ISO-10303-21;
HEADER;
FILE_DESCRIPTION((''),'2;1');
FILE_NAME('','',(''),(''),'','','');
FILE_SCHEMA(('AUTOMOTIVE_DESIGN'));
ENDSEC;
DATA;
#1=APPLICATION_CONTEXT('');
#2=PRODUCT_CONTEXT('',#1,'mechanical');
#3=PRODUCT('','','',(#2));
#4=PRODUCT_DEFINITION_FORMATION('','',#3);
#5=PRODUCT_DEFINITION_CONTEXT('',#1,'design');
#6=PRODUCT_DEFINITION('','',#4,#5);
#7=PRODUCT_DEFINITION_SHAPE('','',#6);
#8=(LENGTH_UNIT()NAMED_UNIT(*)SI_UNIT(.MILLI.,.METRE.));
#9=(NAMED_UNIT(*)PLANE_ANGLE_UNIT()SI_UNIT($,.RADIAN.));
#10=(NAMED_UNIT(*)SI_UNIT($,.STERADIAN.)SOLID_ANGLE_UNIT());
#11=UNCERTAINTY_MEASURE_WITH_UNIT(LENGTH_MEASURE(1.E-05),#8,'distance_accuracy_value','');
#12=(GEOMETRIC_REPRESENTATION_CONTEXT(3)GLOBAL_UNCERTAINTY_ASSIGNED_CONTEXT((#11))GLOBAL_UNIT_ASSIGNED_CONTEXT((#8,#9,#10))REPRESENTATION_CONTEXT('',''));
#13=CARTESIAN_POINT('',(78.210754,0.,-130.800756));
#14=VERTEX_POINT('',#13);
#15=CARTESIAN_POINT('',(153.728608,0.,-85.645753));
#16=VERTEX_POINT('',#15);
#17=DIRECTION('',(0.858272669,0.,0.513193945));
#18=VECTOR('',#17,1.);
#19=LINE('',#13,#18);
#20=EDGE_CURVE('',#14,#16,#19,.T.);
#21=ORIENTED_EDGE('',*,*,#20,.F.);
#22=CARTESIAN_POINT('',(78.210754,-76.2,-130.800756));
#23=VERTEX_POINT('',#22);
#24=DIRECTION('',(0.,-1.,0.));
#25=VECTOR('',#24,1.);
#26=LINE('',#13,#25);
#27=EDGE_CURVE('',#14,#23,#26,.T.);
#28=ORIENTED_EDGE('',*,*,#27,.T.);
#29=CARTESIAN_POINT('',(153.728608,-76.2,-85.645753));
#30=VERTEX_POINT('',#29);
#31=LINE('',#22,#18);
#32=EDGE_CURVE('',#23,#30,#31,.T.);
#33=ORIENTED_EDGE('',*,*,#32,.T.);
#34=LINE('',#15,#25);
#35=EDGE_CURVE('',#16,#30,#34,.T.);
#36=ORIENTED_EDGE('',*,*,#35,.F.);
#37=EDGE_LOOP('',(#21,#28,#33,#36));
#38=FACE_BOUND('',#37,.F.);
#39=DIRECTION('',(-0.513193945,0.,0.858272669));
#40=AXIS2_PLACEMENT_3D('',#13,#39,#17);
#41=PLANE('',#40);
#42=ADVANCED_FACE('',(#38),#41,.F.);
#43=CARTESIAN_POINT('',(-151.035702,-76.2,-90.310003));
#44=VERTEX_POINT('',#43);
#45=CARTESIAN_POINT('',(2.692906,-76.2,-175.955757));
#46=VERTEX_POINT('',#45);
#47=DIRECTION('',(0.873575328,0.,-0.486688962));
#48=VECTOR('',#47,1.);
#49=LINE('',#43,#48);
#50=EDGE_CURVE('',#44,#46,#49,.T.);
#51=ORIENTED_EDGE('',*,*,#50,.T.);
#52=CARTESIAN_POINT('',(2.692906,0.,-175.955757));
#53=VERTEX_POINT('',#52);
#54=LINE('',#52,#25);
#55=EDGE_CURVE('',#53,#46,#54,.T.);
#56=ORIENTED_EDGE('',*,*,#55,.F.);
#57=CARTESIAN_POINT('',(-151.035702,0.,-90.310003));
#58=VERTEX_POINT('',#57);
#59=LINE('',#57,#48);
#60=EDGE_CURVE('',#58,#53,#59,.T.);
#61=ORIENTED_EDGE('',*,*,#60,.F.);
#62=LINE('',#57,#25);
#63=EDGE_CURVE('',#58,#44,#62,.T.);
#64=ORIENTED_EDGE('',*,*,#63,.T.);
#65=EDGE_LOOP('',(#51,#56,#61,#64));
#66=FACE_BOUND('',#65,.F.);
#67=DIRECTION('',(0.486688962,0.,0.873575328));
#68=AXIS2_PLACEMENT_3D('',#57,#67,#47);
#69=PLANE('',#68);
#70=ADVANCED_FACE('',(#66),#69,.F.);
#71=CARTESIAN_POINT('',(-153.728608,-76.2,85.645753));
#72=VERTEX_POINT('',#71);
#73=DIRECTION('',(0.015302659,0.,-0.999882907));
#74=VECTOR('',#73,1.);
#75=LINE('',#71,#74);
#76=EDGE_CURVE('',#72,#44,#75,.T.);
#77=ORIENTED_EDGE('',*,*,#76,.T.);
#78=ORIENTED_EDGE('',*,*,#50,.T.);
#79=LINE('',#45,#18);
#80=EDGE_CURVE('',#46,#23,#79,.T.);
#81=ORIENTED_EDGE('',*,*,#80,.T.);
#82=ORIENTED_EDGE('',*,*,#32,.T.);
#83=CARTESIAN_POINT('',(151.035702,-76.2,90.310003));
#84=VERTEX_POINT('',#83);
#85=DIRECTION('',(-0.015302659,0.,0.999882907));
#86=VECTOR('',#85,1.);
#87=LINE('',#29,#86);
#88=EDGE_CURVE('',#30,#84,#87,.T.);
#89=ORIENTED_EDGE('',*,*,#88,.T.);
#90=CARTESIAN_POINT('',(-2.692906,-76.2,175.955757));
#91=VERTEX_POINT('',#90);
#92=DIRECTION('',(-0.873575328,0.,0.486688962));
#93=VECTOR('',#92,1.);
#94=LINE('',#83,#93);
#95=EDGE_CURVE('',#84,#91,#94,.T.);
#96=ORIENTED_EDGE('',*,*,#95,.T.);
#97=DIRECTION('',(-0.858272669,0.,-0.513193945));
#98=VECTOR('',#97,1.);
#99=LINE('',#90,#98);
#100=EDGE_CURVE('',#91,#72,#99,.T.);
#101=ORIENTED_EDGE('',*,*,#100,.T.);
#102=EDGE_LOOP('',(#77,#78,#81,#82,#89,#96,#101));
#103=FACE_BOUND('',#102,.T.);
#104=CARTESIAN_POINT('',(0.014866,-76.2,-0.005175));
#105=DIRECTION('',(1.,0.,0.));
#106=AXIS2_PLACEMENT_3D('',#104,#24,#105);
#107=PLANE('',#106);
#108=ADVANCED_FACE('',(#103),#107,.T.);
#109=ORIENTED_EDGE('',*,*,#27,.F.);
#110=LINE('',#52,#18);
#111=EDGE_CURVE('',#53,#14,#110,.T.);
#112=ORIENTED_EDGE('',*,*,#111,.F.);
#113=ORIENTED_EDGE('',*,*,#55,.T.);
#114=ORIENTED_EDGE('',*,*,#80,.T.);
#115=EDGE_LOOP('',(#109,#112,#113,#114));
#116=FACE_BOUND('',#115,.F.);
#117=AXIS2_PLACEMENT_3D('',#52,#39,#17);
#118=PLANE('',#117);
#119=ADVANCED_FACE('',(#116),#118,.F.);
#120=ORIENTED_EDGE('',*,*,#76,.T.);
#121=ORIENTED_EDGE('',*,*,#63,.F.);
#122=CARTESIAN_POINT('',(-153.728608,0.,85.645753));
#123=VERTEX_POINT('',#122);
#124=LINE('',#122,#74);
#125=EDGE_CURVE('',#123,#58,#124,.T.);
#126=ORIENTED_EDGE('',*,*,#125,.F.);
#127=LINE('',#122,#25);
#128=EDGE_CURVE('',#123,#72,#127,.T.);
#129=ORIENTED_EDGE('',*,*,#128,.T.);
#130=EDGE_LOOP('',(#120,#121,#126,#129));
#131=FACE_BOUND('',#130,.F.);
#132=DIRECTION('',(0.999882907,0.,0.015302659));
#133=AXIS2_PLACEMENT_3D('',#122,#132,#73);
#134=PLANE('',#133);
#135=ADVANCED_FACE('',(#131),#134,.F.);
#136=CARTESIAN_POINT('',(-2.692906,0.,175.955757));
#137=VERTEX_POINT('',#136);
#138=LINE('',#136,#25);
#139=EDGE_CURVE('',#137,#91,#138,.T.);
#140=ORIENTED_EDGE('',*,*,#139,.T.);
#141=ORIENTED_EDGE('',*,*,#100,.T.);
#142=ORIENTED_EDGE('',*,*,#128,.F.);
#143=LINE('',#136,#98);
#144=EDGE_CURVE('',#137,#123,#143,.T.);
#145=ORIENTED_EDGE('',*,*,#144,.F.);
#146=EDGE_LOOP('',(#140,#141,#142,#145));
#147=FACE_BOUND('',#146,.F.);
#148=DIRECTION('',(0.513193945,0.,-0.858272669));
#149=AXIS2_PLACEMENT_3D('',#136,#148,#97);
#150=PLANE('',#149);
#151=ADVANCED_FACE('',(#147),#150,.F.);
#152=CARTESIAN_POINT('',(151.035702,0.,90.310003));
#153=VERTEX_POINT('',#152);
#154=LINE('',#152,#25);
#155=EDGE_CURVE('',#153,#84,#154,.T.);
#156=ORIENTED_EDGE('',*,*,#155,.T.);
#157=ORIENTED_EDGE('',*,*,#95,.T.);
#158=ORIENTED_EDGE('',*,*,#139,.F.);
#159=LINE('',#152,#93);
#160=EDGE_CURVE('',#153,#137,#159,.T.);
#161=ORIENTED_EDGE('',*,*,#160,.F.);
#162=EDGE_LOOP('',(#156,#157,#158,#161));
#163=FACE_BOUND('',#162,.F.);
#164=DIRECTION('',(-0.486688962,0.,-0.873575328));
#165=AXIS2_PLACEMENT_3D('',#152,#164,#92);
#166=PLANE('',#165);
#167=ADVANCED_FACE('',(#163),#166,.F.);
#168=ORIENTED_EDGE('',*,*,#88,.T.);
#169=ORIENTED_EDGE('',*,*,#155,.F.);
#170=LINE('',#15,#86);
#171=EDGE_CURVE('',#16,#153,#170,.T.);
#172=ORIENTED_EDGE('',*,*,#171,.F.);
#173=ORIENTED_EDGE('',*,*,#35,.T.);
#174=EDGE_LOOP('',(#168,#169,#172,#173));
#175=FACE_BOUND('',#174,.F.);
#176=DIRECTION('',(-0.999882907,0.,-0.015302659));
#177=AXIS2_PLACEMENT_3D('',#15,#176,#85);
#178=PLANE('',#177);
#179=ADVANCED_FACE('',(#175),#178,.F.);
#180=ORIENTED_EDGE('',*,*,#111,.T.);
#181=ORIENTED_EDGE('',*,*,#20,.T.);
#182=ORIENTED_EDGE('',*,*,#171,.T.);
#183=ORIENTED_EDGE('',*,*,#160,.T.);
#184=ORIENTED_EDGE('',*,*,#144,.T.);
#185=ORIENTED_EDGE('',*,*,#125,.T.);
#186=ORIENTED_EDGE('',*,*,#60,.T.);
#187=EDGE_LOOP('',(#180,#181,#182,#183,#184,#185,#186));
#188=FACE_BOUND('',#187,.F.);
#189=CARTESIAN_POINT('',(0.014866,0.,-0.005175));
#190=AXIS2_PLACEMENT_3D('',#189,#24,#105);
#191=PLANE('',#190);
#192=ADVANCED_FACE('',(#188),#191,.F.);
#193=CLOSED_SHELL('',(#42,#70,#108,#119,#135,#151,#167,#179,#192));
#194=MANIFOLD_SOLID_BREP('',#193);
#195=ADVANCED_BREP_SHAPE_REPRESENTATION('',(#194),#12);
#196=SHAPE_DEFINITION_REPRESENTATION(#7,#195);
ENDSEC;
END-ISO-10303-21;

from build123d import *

# Parameters (mm, degrees)
F1_DEPTH = 76.2


with BuildPart() as f1:
    # F0 (on Front) → F1 (new body)
    with BuildSketch(Plane.XZ):
        with BuildLine():
            ThreePointArc((78.2107543947, -130.8007564848), (132.5614555023, -75.1879013879), (152.4, 0))
            ThreePointArc((152.4, 0), (152.395538702, 1.1660976456), (152.3821550693, 2.3321270194))
            ThreePointArc((152.3821550693, 2.3321270194), (130.8007545173, 78.2107576853), (74.171398516, 133.1328796435))
            ThreePointArc((74.171398516, 133.1328796435), (-2.33212623, 152.3821550814), (-78.2107596092, 130.8007533669))
            ThreePointArc((-78.2107596092, 130.8007533669), (-133.1328796511, 74.1713985025), (-152.3821551616, -2.3321209889))
            ThreePointArc((-152.3821551616, -2.3321209889), (-130.8007560649, -78.2107550971), (-74.171398516, -133.1328796435))
            ThreePointArc((-74.171398516, -133.1328796435), (2.3321231926, -152.3821551279), (78.2107543947, -130.8007564848))
        make_face()
        with BuildLine():
            ThreePointArc((-78.2107596092, 130.8007533669), (-2.33212623, 152.3821550814), (74.171398516, 133.1328796435))
            Line((74.171398516, 133.1328796435), (-2.6929062629, 175.9557565295))
            Line((-2.6929062629, 175.9557565295), (-78.2107596092, 130.8007533669))
        make_face()
        with BuildLine():
            ThreePointArc((-152.3821551616, -2.3321209889), (-133.1328796511, 74.1713985025), (-78.2107596092, 130.8007533669))
            Line((-78.2107596092, 130.8007533669), (-153.7286082281, 85.645753031))
            Line((-153.7286082281, 85.645753031), (-152.3821551616, -2.3321209889))
        make_face()
        with BuildLine():
            Line((-151.0357019652, -90.3100034984), (-74.171398516, -133.1328796435))
            ThreePointArc((-74.171398516, -133.1328796435), (-130.8007560649, -78.2107550971), (-152.3821551616, -2.3321209889))
            Line((-152.3821551616, -2.3321209889), (-151.0357019652, -90.3100034984))
        make_face()
        with BuildLine():
            Line((2.6929062629, -175.9557565295), (78.2107543947, -130.8007564848))
            ThreePointArc((78.2107543947, -130.8007564848), (2.3321231926, -152.3821551279), (-74.171398516, -133.1328796435))
            Line((-74.171398516, -133.1328796435), (2.6929062629, -175.9557565295))
        make_face()
        with BuildLine():
            ThreePointArc((152.3821550693, 2.3321270194), (152.395538702, 1.1660976456), (152.4, 0))
            ThreePointArc((152.4, 0), (132.5614555023, -75.1879013879), (78.2107543947, -130.8007564848))
            Line((78.2107543947, -130.8007564848), (153.7286082281, -85.645753031))
            Line((153.7286082281, -85.645753031), (152.3821550693, 2.3321270194))
        make_face()
        with BuildLine():
            ThreePointArc((74.171398516, 133.1328796435), (130.8007545173, 78.2107576853), (152.3821550693, 2.3321270194))
            Line((152.3821550693, 2.3321270194), (151.0357019652, 90.3100034984))
            Line((151.0357019652, 90.3100034984), (74.171398516, 133.1328796435))
        make_face()
    extrude(amount=F1_DEPTH)


solid = f1.part
